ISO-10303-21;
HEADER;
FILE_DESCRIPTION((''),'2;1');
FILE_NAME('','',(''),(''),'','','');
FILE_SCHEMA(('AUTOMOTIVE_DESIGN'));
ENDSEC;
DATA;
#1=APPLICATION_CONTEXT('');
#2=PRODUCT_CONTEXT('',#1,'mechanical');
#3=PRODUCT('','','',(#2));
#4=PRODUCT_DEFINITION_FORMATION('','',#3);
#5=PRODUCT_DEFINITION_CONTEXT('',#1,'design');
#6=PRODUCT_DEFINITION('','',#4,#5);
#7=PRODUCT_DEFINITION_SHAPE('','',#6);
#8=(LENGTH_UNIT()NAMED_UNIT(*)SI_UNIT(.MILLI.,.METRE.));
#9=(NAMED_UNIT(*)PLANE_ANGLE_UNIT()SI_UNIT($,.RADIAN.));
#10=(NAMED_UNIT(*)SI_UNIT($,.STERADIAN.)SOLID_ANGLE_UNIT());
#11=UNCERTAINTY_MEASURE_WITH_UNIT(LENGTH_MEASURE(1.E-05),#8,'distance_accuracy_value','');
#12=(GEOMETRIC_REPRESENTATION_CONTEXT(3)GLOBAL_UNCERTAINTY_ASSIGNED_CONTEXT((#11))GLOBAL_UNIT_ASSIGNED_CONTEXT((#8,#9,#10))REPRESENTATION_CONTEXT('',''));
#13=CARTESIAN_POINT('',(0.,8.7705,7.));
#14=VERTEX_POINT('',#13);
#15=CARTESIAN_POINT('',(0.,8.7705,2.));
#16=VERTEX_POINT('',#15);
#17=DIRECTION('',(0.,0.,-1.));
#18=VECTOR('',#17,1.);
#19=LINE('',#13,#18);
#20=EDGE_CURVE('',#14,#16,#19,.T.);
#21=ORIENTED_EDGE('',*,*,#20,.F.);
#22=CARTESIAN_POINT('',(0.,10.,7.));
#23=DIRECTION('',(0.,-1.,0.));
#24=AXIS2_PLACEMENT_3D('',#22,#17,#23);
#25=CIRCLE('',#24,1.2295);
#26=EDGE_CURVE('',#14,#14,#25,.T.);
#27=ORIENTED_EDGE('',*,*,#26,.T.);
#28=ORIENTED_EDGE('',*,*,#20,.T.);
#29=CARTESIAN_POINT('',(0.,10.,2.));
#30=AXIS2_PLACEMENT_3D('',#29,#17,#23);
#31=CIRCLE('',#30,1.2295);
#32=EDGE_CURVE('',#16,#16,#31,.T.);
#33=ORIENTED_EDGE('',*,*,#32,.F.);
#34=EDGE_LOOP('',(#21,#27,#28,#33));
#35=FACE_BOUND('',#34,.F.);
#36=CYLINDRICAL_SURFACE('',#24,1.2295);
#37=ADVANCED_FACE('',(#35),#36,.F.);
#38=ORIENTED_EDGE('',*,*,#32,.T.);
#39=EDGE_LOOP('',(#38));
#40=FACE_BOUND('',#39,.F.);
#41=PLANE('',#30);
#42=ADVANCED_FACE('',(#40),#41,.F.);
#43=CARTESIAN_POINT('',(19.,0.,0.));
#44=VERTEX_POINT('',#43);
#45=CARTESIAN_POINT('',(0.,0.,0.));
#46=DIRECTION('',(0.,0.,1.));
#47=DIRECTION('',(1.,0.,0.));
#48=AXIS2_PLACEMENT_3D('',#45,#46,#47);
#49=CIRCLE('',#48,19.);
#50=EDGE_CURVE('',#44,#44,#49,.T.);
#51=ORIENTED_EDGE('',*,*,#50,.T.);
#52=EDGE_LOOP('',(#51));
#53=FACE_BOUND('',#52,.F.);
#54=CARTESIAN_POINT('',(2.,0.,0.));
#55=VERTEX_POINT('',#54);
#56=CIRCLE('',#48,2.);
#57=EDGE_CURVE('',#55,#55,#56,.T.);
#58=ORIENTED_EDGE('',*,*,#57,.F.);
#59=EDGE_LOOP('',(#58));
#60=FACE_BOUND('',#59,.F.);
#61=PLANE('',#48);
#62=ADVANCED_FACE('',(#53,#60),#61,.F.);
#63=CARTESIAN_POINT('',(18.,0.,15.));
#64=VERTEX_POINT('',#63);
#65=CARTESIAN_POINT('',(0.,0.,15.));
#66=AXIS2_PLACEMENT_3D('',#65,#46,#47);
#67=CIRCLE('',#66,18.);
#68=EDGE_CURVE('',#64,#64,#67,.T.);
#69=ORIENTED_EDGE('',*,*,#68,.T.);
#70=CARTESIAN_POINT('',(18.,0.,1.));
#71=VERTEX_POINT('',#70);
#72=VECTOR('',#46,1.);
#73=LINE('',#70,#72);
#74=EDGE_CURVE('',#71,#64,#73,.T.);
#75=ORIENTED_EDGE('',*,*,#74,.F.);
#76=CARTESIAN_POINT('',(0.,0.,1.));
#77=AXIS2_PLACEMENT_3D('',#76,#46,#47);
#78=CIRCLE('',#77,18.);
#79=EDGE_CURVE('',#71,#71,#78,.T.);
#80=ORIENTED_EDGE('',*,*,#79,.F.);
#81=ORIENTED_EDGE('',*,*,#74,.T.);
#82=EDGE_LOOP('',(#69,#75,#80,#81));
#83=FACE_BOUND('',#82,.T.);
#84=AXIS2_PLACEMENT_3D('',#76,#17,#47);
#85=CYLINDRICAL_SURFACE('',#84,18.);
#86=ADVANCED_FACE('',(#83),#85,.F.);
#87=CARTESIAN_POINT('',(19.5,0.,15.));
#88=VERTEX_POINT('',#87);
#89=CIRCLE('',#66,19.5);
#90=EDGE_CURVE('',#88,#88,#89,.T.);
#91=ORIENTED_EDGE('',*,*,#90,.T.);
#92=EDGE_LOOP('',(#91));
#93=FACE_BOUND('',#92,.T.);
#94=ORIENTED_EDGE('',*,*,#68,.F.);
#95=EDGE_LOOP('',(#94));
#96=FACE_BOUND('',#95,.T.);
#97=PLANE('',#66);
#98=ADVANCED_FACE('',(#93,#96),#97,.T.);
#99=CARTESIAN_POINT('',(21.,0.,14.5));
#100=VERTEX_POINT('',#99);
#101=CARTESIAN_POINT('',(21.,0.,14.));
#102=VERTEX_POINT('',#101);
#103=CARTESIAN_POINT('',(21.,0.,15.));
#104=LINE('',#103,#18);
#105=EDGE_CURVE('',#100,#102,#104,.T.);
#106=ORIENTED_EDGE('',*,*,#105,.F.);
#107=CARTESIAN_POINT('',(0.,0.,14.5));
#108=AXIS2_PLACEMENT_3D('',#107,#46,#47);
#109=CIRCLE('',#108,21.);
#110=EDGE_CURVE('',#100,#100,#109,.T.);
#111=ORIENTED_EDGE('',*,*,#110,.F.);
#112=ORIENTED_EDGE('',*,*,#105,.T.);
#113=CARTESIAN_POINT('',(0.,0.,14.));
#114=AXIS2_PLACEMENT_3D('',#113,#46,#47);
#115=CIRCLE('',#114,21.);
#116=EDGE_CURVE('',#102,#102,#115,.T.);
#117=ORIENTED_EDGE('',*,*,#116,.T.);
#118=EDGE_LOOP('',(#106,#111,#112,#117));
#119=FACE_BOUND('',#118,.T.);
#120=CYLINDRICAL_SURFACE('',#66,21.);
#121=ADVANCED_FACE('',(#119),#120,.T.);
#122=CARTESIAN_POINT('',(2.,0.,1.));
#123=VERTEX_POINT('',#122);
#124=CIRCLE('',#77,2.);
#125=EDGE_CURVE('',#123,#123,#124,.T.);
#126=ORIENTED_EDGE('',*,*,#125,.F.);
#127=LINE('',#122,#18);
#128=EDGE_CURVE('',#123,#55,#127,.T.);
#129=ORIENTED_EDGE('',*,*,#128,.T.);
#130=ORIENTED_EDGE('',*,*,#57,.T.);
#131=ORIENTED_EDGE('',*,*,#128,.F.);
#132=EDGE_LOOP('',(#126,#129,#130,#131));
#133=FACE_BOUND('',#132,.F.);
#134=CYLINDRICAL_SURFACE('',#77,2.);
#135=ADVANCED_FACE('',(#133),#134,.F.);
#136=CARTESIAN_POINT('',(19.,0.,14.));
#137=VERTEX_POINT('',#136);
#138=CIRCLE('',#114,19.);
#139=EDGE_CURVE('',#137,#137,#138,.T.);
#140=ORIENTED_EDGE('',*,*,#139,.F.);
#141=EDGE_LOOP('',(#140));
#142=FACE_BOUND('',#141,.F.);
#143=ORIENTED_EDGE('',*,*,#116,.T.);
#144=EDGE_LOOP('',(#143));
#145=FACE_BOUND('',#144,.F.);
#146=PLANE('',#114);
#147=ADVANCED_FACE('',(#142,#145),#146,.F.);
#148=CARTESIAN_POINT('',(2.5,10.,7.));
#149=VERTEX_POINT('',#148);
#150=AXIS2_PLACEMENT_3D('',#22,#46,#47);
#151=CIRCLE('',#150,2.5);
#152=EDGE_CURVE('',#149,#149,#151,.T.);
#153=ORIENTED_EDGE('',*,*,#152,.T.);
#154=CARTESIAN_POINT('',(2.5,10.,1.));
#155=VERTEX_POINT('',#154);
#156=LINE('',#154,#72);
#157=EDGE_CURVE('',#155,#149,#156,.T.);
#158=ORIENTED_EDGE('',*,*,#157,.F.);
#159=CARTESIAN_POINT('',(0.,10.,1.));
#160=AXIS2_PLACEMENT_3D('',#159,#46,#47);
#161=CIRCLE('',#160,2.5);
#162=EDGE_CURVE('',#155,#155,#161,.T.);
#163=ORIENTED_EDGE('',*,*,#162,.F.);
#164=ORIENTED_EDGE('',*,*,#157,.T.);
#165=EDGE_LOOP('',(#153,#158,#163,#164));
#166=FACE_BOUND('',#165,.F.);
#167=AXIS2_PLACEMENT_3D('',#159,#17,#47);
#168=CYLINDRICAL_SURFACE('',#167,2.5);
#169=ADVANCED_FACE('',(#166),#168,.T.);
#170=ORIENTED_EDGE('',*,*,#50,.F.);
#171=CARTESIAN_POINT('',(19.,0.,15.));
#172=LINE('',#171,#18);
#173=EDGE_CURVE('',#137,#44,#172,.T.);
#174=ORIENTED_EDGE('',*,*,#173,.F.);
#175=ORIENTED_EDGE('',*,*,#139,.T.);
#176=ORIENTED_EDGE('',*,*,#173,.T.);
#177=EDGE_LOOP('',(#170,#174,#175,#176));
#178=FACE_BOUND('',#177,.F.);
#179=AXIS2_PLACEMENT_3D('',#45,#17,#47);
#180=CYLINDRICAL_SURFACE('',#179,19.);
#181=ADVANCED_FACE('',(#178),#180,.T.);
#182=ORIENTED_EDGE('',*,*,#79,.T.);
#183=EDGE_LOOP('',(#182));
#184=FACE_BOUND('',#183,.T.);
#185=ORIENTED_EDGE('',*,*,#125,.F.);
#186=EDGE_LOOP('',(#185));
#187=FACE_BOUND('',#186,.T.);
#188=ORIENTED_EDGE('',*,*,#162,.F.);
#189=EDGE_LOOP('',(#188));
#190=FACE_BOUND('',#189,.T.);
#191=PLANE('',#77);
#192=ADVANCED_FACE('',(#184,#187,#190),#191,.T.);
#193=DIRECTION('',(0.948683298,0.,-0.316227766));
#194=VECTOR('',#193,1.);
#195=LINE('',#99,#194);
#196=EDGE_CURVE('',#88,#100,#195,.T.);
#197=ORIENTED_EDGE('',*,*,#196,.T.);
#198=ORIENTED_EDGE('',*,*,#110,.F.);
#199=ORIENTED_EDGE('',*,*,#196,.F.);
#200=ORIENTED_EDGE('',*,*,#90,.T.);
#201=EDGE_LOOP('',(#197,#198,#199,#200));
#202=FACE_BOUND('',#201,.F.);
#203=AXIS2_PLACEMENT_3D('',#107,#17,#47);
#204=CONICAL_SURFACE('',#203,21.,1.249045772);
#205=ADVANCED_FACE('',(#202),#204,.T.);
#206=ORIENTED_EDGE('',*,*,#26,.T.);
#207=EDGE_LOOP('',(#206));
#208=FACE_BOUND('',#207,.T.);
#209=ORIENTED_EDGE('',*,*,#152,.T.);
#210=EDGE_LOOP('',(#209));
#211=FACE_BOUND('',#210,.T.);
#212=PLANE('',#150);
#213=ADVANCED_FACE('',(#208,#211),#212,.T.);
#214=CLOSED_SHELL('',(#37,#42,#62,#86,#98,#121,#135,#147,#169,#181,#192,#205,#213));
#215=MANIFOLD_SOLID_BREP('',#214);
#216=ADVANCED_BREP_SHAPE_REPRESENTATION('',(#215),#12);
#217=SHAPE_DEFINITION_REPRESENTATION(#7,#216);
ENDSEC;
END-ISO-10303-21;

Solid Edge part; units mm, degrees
sketch "Sketch1" plane through (0, 0, 0) normal (0, 0, 1) x (1, 0, 0)
  circle A0 centre (0, 0) radius 19
extrude "Protrusion1" add sketch "Sketch1" along normal blind 1
sketch "Sketch2" plane through (0, 0, 1) normal (0, 0, 1) x (1, 0, 0)
  circle A0 centre (0, 0) radius 19
  circle A1 centre (0, 0) radius 18
extrude "Walls" add sketch "Sketch2" along normal blind 14
sketch "Sketch3" plane through (0, 0, 15) normal (0, 0, 1) x (1, 0, 0)
  circle A0 centre (0, 0) radius 19
  circle A1 centre (0, 0) radius 21
extrude "Top" add sketch "Sketch3" against normal blind 1
sketch "Sketch4" plane through (0, 0, 1) normal (0, 0, 1) x (1, 0, 0)
  circle A0 centre (0, 0) radius 2
extrude "Cutout1" cut sketch "Sketch4" against normal through all
sketch "Sketch5" plane through (0, 0, 1) normal (0, 0, 1) x (1, 0, 0)
  circle A0 centre (0, 10) radius 2.5
  dimension "D1" = 10
extrude "Lock" add sketch "Sketch5" along normal blind 6
hole "Hole___Lock" at (0, 10, 7) direction (0, 0, -1) diameter 2.459 depth 5
chamfer "Chamfer___Top" distance 1.5 distance2 0.5 1 edges at (-21, 0, 15) measured on face at (-14.42, -13.58, 15)
properties material "ABS Plastic, high impact"
